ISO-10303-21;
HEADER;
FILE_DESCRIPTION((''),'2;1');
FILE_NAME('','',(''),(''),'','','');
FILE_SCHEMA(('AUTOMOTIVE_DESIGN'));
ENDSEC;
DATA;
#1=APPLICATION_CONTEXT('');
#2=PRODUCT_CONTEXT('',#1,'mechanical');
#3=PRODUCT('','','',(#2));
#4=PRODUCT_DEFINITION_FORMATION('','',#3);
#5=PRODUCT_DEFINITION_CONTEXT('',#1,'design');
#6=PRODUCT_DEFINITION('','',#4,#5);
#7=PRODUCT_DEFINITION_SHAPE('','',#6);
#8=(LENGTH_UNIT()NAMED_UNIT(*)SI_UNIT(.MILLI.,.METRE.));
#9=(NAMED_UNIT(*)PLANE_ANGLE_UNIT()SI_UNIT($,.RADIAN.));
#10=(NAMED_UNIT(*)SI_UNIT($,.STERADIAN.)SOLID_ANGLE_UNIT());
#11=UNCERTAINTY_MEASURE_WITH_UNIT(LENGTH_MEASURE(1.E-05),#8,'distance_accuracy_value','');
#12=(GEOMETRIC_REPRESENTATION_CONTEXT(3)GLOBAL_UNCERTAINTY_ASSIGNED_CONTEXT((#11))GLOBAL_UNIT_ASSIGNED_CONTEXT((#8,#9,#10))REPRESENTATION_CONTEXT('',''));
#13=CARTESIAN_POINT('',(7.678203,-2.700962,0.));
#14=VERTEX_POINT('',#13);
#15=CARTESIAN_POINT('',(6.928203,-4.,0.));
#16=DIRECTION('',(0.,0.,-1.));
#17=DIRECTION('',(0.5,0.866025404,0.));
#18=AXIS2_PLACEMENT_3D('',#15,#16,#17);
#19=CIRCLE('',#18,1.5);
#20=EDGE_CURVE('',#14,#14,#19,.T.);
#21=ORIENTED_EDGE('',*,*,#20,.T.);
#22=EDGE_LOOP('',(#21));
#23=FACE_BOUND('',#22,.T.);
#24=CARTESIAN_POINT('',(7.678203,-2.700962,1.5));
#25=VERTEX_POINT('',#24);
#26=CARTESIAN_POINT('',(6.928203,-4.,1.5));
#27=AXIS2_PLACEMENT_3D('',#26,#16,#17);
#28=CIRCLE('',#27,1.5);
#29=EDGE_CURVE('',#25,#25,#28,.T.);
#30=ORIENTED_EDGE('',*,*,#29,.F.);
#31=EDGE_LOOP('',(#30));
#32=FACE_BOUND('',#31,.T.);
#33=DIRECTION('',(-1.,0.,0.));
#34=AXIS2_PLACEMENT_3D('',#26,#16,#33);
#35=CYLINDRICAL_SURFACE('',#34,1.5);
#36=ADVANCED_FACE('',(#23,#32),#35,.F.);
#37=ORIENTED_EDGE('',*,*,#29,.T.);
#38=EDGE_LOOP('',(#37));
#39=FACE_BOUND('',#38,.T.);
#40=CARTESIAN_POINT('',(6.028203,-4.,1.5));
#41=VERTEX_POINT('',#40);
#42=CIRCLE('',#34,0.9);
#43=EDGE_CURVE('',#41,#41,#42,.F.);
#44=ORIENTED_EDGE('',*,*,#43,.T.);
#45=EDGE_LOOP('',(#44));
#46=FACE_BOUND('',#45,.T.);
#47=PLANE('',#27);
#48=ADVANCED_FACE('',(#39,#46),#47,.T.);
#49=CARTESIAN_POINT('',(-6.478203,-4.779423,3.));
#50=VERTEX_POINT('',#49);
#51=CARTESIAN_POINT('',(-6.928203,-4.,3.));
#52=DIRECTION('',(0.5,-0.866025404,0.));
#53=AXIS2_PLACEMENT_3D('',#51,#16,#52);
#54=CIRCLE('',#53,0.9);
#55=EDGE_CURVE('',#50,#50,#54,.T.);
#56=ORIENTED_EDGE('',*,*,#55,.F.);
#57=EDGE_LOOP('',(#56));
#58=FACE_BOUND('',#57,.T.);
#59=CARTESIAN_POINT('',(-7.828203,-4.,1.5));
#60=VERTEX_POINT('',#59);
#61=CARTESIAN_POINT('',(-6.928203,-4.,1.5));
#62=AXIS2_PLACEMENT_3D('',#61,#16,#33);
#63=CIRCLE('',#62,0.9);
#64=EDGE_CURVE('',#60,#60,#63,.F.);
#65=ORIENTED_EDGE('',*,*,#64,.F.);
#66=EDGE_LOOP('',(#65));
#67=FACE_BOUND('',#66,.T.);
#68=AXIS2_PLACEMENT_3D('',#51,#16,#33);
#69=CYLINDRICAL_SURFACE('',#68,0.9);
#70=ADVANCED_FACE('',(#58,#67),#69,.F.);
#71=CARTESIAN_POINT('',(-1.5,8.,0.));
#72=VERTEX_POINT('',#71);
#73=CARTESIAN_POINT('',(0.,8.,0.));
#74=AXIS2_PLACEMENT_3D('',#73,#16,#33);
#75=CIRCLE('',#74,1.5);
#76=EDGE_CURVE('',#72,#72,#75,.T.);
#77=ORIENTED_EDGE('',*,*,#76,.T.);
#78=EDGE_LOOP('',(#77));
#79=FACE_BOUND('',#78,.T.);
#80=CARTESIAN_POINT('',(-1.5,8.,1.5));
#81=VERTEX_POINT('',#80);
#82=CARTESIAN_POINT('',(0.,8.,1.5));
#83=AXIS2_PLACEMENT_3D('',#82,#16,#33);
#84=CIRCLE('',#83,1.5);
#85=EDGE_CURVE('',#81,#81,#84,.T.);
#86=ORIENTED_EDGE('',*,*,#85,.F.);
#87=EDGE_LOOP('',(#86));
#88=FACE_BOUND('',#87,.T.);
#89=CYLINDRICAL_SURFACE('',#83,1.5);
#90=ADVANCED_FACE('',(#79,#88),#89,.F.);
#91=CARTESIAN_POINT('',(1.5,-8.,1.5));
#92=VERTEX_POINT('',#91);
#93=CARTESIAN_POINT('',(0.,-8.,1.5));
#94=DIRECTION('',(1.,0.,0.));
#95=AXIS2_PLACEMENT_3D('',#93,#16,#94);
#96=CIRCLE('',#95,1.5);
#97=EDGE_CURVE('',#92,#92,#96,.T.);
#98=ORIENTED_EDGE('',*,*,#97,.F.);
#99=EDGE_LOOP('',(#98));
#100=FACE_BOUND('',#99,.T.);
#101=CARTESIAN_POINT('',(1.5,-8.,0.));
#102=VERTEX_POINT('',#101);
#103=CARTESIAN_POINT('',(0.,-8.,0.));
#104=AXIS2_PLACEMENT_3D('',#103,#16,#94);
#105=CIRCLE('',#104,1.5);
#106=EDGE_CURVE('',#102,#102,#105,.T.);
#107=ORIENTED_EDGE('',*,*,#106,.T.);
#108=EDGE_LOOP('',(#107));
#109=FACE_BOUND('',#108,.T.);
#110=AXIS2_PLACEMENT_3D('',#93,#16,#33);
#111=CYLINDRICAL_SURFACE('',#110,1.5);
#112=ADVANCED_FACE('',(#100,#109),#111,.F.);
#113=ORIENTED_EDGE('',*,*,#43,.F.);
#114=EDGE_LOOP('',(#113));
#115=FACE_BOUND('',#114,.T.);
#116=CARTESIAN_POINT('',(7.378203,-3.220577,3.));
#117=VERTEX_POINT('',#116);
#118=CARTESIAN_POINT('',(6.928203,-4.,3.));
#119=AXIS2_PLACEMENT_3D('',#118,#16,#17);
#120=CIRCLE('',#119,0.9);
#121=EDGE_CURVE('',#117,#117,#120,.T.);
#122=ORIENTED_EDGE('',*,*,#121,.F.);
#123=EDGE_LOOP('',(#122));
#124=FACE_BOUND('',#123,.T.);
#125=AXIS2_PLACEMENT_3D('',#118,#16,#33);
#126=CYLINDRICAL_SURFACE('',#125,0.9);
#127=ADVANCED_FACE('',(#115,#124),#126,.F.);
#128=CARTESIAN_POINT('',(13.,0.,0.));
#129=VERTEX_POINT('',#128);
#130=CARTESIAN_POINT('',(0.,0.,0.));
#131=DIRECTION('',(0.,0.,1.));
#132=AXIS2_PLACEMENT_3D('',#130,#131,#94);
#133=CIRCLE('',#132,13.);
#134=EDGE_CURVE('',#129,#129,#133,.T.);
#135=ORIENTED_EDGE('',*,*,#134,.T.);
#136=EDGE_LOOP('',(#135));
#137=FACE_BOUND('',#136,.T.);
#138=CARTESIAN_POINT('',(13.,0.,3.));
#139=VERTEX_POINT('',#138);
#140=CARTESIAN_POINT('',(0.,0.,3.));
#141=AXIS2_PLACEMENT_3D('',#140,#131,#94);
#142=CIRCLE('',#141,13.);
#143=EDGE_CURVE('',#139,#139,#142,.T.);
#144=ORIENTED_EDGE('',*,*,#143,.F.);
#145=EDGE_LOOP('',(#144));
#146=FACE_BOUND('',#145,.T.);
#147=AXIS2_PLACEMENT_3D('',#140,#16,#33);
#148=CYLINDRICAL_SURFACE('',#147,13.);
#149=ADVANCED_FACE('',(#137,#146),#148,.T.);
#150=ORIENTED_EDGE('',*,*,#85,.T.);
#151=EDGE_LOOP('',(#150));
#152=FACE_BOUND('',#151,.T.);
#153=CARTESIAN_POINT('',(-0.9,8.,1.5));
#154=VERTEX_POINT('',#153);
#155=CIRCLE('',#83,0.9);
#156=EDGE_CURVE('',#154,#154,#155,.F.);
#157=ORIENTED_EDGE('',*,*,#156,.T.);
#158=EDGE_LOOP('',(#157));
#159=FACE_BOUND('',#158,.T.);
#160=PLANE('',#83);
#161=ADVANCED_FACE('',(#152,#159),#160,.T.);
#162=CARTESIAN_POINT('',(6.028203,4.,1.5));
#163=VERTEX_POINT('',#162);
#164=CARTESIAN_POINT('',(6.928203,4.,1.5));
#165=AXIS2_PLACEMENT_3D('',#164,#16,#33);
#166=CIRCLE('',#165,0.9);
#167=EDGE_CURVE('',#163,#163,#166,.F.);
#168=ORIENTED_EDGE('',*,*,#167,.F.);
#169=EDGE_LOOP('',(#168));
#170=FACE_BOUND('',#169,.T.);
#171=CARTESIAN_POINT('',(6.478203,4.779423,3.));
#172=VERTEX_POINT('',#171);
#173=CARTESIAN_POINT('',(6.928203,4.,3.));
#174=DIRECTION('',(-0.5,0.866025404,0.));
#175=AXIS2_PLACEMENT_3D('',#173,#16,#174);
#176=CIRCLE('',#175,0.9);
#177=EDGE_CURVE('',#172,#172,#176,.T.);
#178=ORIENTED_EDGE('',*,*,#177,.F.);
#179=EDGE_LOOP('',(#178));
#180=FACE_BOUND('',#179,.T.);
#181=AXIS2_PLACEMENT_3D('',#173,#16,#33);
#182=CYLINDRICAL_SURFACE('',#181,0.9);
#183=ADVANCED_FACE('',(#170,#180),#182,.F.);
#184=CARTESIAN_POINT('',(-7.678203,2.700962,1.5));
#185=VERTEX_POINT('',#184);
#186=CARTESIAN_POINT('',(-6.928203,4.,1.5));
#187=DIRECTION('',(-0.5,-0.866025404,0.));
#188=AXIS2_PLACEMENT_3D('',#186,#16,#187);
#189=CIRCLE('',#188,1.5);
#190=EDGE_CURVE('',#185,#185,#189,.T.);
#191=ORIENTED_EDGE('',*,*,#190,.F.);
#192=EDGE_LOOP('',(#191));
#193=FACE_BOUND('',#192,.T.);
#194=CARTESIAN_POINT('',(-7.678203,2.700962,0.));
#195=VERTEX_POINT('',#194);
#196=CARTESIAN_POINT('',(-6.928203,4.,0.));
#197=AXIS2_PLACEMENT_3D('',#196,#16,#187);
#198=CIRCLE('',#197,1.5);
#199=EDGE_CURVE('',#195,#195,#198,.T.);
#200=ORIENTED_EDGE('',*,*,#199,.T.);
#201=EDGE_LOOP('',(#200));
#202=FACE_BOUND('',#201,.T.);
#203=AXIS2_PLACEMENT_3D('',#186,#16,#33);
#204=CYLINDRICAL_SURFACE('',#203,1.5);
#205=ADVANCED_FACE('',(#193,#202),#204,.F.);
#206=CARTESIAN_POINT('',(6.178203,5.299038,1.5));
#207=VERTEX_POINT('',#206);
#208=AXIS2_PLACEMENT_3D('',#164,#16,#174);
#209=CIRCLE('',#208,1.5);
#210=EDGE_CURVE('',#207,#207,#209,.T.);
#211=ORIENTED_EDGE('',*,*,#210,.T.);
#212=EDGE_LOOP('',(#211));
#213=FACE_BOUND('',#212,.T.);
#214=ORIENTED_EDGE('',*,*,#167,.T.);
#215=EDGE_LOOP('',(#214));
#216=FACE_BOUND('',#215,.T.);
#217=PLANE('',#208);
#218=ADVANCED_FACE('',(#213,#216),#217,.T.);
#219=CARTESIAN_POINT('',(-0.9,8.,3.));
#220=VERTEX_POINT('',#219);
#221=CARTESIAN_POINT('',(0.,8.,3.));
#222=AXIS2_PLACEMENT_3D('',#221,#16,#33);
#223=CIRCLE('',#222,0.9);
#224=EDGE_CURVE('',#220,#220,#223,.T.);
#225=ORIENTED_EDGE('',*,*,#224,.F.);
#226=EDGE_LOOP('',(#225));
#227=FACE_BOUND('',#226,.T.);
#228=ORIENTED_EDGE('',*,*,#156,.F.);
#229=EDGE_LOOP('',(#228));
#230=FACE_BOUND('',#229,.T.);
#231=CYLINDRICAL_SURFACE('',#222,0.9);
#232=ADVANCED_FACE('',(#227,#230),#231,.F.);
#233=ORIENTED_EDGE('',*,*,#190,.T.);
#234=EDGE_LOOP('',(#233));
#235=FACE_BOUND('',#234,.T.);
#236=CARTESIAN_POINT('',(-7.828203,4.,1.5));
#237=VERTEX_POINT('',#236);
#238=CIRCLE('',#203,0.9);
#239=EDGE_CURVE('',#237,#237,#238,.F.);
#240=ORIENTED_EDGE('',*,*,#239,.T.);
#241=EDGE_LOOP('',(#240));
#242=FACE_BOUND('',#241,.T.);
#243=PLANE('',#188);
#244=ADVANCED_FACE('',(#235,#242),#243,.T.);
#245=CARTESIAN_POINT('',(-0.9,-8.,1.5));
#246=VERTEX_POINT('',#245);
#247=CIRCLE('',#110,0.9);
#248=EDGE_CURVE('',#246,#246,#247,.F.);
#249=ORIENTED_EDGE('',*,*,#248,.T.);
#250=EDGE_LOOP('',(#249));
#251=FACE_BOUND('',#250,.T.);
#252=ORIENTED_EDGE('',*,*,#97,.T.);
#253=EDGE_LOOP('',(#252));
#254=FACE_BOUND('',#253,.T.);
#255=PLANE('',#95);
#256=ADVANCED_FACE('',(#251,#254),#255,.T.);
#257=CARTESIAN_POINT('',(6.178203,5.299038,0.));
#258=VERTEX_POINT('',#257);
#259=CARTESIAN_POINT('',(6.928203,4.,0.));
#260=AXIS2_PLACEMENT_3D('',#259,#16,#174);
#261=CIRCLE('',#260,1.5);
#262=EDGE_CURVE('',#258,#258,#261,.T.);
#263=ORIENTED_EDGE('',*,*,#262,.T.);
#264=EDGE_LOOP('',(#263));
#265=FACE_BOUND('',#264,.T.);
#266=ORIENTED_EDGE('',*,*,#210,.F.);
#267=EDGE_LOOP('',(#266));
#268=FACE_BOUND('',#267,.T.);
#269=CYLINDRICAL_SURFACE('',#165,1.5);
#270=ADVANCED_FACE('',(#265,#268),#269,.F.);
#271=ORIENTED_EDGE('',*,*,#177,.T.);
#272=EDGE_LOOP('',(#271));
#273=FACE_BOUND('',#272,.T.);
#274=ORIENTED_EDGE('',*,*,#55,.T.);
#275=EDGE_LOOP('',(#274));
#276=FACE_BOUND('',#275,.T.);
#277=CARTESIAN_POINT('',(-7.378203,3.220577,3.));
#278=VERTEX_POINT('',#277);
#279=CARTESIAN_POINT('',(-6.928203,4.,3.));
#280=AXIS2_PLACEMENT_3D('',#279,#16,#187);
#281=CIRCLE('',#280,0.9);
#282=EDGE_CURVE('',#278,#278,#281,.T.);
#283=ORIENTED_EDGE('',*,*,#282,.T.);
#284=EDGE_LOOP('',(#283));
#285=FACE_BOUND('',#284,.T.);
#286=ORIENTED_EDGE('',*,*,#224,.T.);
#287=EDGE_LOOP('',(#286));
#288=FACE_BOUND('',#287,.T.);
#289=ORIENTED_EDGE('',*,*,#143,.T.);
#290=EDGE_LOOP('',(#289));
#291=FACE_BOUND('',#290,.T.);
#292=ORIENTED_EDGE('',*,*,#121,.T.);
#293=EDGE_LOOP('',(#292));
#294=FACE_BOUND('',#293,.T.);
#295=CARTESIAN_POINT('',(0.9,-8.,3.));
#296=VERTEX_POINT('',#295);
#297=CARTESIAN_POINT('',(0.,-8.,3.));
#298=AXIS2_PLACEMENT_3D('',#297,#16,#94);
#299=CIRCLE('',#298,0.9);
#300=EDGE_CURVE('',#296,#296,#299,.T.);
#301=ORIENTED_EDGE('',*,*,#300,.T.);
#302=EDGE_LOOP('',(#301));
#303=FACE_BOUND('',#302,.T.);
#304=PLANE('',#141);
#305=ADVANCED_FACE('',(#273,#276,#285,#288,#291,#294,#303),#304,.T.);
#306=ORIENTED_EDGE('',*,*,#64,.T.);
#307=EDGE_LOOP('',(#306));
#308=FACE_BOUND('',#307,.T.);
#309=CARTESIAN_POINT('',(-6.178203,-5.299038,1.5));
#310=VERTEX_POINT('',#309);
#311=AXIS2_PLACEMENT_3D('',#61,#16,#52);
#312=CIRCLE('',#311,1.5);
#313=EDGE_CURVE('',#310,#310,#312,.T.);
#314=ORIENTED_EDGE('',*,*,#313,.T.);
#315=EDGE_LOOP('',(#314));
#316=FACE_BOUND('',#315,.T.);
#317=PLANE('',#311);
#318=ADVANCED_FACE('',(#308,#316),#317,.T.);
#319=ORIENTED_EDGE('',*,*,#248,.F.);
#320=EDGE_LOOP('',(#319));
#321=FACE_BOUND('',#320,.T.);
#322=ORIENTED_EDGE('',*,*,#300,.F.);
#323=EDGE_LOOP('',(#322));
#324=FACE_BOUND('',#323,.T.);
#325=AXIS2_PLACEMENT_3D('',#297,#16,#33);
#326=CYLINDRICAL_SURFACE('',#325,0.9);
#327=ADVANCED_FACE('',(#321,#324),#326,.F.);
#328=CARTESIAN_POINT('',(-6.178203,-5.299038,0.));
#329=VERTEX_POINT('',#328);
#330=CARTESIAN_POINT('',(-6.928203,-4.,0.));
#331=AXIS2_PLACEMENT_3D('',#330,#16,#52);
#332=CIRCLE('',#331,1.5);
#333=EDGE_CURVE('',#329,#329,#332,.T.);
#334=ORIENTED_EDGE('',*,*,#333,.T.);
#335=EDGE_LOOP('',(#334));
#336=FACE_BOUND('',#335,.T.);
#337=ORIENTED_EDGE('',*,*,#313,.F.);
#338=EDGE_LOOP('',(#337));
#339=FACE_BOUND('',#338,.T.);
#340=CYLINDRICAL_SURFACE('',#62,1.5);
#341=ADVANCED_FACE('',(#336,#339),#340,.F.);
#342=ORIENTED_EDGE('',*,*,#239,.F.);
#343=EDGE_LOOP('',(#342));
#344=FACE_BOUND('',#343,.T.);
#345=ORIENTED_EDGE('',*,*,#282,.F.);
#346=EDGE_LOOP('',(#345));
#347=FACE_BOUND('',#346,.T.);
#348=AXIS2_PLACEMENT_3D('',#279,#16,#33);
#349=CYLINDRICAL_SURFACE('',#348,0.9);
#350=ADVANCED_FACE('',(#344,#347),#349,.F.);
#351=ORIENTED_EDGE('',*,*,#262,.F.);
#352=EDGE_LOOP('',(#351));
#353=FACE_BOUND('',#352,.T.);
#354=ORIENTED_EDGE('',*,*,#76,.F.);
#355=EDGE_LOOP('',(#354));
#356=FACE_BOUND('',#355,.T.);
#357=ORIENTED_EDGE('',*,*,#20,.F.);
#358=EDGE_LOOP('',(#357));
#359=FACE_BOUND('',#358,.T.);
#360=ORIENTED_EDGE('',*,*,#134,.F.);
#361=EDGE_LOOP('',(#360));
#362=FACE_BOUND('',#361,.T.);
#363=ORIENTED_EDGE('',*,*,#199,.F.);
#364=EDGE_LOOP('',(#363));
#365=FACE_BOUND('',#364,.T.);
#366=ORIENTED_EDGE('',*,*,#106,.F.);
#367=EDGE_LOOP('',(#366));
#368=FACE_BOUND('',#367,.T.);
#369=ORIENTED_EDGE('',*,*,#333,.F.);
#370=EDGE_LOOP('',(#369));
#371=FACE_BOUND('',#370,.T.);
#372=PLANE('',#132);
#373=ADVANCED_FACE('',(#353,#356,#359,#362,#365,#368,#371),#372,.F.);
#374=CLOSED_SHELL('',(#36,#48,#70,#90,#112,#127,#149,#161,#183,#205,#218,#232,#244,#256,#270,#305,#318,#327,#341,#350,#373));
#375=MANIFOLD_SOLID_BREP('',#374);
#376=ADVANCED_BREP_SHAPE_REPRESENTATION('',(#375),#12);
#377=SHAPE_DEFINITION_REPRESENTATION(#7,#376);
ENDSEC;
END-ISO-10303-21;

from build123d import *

# Parameters (mm, degrees)
SKETCH_1_R               = 13
EXTRUDE_1_DEPTH          = 3
SKETCH_2_R               = 0.9
CUT_EXTRUDE_1_DEPTH      = 19.62793601
SKETCH_2_3_R             = 1.5
CUT_EXTRUDE_2_DEPTH      = 1.5
PATTERN_CIRCULAR_1_COUNT = 6


with BuildPart() as part:
    # 草图1 → 凸台-拉伸1 (new body)
    with BuildSketch(Plane.XY):
        Circle(SKETCH_1_R)
    extrude(amount=EXTRUDE_1_DEPTH)

    # 草图2 → 切除-拉伸1 (cut, through all)
    with BuildSketch(Plane(origin=(0, 0, 0), x_dir=(-1, 0, 0), z_dir=(0, 0, -1))):
        with Locations((0, 8)):
            Circle(SKETCH_2_R)
    cut_extrude_1 = extrude(amount=-CUT_EXTRUDE_1_DEPTH, mode=Mode.SUBTRACT)

    # 草图2<3> → 切除-拉伸2 (cut)
    with BuildSketch(Plane(origin=(0, 0, 0), x_dir=(-1, 0, 0), z_dir=(0, 0, -1))):
        with Locations((0, 8)):
            Circle(SKETCH_2_3_R)
    cut_extrude_2 = extrude(amount=-CUT_EXTRUDE_2_DEPTH, mode=Mode.SUBTRACT)

    # 阵列(圆周)1: 切除-拉伸1, 切除-拉伸2 ×6 about axis
    pattern_circular_1_axis = Axis((0, 0, 3), (0, 0, -1))
    add([cut_extrude_1.rotate(pattern_circular_1_axis, i * 360 / PATTERN_CIRCULAR_1_COUNT) for i in range(1, PATTERN_CIRCULAR_1_COUNT)], mode=Mode.SUBTRACT)
    add([cut_extrude_2.rotate(pattern_circular_1_axis, i * 360 / PATTERN_CIRCULAR_1_COUNT) for i in range(1, PATTERN_CIRCULAR_1_COUNT)], mode=Mode.SUBTRACT)


solid = part.part
